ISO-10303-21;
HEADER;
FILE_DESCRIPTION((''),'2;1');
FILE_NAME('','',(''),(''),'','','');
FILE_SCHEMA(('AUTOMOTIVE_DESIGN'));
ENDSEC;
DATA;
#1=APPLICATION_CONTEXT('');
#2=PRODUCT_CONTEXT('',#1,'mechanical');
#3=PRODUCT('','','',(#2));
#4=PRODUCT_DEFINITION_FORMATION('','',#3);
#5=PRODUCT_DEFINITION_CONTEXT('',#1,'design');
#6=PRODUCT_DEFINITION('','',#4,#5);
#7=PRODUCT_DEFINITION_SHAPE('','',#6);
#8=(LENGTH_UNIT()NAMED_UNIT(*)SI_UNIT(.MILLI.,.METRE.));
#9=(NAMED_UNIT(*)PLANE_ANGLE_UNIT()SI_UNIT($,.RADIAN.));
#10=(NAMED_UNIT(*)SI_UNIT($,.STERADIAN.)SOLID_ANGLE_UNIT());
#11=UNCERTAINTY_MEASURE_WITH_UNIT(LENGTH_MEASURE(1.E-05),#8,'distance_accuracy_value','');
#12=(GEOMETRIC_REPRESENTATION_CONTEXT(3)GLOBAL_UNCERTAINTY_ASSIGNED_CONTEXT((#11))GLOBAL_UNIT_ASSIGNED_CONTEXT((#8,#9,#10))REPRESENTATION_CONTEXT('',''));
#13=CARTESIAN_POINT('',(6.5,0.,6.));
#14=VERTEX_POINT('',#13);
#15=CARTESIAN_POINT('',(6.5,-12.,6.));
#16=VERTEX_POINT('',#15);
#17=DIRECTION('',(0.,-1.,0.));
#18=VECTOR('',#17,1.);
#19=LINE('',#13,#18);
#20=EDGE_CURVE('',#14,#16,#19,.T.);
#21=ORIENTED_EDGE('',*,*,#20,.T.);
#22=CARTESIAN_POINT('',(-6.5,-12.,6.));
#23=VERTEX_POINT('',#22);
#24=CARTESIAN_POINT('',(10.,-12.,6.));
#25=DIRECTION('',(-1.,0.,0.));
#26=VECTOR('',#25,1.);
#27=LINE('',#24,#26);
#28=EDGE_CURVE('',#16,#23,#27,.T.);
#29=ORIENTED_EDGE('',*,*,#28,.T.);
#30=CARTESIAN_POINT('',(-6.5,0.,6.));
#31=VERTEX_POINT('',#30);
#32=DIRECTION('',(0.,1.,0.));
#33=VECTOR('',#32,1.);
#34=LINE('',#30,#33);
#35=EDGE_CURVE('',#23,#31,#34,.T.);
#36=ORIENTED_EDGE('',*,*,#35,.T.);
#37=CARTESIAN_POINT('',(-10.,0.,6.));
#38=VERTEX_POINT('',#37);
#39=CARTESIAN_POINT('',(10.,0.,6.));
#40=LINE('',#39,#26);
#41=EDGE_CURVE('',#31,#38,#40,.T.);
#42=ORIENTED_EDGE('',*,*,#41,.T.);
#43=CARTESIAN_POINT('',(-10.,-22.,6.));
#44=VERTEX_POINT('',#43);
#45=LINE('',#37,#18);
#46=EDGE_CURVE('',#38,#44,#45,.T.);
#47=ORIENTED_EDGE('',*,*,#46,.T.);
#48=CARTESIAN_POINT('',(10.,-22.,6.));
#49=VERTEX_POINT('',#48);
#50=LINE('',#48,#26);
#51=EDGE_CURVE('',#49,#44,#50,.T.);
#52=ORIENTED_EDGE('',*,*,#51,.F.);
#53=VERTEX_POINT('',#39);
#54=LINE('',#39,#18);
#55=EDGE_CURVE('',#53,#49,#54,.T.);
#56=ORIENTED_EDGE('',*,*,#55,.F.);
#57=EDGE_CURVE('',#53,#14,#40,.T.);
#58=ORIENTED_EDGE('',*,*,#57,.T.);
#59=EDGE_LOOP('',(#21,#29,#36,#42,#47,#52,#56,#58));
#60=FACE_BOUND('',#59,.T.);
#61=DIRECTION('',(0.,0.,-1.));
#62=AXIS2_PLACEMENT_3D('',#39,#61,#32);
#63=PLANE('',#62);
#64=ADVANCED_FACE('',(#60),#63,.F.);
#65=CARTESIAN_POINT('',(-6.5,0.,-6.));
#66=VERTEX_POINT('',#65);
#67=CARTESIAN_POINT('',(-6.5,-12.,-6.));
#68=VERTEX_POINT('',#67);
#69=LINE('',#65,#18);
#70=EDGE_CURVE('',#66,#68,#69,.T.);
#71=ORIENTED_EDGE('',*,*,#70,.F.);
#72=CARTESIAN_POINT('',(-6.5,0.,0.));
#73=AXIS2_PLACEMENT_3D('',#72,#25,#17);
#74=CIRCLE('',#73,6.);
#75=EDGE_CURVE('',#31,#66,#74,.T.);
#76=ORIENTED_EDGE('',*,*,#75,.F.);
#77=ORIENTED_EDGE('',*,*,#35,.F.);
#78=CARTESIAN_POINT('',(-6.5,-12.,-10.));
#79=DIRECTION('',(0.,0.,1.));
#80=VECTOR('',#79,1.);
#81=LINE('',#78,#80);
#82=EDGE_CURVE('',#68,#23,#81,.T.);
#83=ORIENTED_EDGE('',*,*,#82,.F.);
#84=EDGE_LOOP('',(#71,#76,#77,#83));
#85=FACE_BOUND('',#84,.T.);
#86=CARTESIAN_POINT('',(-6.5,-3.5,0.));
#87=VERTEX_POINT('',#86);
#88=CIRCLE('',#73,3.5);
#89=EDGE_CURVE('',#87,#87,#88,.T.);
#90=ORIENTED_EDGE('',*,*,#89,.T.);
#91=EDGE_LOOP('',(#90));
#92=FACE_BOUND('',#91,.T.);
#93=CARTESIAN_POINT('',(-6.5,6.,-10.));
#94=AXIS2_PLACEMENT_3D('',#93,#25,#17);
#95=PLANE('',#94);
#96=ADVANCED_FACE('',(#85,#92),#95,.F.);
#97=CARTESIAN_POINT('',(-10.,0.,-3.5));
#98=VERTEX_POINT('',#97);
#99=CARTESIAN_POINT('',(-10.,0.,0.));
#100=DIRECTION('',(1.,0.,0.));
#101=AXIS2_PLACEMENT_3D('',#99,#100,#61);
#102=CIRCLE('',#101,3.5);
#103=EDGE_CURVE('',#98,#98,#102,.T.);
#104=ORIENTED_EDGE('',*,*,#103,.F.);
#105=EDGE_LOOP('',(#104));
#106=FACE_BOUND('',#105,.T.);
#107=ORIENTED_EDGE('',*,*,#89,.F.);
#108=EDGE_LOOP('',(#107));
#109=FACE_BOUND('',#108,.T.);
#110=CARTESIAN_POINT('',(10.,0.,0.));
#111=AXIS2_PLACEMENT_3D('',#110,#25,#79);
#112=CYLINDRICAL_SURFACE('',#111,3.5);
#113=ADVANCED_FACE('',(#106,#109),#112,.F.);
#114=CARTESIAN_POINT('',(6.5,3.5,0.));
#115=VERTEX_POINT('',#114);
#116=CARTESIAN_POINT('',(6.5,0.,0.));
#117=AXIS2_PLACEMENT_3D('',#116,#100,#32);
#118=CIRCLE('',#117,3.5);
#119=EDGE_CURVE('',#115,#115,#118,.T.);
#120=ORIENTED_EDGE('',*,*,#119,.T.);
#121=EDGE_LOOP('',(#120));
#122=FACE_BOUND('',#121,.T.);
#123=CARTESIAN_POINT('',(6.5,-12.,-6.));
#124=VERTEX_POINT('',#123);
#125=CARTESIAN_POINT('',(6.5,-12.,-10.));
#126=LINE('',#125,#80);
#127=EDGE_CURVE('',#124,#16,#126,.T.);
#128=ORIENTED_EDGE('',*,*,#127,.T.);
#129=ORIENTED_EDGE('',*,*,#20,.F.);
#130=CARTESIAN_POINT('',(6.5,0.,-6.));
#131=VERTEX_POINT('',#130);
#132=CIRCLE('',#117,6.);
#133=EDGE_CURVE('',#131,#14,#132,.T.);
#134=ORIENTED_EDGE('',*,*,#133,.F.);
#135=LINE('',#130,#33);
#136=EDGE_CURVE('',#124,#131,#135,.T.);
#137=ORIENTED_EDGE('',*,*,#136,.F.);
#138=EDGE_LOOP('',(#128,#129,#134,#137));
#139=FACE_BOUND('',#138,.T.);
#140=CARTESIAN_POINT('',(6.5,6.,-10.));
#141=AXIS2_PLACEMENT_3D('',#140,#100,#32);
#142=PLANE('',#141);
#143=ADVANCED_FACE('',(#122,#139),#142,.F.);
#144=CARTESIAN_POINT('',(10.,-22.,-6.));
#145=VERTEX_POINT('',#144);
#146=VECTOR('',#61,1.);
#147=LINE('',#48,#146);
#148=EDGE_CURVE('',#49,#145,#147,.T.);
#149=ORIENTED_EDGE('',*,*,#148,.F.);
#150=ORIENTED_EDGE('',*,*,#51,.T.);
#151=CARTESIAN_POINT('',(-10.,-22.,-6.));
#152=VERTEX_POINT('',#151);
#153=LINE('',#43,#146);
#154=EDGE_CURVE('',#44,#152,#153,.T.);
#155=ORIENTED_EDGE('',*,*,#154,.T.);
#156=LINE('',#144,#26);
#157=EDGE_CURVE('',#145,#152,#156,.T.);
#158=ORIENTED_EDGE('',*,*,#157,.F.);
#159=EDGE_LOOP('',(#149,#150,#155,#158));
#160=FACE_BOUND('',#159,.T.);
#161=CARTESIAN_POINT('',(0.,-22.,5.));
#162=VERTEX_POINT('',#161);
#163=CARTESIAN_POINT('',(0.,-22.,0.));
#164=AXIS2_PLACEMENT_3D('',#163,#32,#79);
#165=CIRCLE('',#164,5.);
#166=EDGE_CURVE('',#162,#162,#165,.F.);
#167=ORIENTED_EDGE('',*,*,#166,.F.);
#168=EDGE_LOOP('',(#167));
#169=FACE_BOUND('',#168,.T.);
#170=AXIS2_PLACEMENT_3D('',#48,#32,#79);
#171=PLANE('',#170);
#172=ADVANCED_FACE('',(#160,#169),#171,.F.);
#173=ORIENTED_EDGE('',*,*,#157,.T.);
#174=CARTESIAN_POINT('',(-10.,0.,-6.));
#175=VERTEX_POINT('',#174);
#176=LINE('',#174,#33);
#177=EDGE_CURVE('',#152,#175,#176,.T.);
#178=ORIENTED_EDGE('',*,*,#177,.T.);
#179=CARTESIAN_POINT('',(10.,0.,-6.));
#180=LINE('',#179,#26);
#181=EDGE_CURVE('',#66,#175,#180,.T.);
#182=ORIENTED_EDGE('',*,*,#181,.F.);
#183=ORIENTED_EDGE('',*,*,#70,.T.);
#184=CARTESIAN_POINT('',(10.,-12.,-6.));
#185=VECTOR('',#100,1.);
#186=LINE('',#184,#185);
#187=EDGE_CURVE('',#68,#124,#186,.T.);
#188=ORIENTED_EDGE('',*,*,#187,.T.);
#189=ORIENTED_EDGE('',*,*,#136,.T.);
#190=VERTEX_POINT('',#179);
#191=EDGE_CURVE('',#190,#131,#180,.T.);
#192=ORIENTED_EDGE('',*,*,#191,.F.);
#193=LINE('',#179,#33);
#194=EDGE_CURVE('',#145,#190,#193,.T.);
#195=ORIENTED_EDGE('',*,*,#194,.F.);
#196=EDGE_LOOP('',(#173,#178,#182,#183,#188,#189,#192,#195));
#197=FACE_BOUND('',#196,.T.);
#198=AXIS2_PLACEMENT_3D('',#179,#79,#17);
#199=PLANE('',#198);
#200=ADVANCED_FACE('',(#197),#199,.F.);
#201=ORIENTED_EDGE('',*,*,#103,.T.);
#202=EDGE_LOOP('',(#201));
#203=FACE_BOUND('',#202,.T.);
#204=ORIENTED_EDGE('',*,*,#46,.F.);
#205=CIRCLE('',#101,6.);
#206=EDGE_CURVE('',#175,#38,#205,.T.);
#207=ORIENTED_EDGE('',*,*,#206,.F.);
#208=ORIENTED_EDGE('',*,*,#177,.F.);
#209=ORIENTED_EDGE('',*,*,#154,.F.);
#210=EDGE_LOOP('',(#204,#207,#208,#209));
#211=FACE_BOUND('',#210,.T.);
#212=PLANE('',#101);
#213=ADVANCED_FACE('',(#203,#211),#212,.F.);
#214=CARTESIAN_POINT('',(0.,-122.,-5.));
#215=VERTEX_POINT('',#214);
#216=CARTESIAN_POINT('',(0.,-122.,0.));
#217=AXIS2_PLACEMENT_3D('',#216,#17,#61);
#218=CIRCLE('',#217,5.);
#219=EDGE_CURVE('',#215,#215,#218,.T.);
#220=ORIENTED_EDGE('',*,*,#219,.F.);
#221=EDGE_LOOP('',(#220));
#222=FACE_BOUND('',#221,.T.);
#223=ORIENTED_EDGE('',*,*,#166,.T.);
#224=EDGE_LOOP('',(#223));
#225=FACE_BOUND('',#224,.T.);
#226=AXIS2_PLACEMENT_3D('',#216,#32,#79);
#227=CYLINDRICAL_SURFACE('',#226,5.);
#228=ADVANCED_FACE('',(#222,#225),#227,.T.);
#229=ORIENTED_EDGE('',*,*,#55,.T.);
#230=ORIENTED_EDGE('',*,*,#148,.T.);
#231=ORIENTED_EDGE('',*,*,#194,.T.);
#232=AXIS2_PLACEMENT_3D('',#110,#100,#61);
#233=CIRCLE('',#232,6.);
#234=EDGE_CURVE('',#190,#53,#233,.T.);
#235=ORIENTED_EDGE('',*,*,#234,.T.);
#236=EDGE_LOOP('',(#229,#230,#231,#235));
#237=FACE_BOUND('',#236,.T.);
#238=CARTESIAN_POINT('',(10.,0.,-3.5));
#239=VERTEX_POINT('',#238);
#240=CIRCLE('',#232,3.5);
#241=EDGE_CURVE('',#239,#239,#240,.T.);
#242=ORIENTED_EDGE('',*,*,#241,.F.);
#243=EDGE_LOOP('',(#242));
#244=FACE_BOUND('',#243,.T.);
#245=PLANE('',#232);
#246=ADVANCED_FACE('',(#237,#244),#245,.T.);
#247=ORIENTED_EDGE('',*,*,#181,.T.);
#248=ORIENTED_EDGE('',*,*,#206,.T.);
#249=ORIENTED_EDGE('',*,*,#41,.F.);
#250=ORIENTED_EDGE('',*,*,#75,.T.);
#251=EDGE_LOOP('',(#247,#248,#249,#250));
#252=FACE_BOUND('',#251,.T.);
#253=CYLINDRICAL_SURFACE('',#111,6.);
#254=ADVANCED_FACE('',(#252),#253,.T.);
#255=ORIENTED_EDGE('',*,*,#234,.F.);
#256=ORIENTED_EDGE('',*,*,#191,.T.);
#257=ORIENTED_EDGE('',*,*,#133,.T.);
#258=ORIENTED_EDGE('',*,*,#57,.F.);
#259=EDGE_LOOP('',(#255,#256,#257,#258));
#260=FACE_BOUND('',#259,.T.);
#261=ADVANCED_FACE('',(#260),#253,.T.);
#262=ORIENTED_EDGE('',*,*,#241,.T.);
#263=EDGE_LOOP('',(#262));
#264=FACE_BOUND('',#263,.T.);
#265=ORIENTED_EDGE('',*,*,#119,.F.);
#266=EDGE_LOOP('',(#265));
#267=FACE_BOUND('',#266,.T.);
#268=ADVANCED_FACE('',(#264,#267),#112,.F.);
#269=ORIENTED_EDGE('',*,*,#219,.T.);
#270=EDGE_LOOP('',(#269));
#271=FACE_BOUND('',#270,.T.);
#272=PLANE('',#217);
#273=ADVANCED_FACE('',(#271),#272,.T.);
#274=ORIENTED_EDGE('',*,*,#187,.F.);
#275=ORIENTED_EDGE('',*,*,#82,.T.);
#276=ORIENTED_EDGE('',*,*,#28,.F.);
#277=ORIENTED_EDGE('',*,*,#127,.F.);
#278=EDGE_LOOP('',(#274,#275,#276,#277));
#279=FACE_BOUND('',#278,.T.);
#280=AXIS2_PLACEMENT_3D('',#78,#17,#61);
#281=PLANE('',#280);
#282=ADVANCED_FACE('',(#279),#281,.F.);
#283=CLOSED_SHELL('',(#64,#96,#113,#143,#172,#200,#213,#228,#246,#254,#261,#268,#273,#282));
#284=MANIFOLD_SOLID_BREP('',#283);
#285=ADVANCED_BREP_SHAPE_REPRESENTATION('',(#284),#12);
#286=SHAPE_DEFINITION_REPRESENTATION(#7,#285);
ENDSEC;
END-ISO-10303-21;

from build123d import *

# Parameters (mm, degrees)
ESBO_O1_R                = 3.5
RESSALTO_EXTRUS_O1_DEPTH = 10
ESBO_O3_W                = 13
ESBO_O3_H                = 18
CORTE_EXTRUS_O2_DEPTH    = 10
ESBO_O4_R                = 5
RESSALTO_EXTRUS_O2_DEPTH = 100


with BuildPart() as part:
    # Esboço1 → Ressalto-extrusão1 (new, symmetric)
    with BuildSketch(Plane(origin=(0, 0, 0), x_dir=(0, 0, -1), z_dir=(1, 0, 0))):
        with BuildLine():
            Line((-6, 0), (-6, -22))
            Line((-6, -22), (6, -22))
            Line((6, -22), (6, 0))
            ThreePointArc((6, 0), (0, 6), (-6, 0))
        make_face()
        Circle(ESBO_O1_R, mode=Mode.SUBTRACT)
    extrude(amount=RESSALTO_EXTRUS_O1_DEPTH, both=True)

    # Esboço3 → Corte-extrusão2 (cut, symmetric)
    with BuildSketch(Plane.XY):
        with Locations((0, -3)):
            Rectangle(ESBO_O3_W, ESBO_O3_H)
    extrude(amount=CORTE_EXTRUS_O2_DEPTH, both=True, mode=Mode.SUBTRACT)

    # Esboço4 → Ressalto-extrusão2 (add)
    with BuildSketch(Plane.XZ.offset(22)):
        with Locations(Location((0, 0, 0), (0, 0, 90))):
            Circle(ESBO_O4_R)
    extrude(amount=RESSALTO_EXTRUS_O2_DEPTH)


solid = part.part
